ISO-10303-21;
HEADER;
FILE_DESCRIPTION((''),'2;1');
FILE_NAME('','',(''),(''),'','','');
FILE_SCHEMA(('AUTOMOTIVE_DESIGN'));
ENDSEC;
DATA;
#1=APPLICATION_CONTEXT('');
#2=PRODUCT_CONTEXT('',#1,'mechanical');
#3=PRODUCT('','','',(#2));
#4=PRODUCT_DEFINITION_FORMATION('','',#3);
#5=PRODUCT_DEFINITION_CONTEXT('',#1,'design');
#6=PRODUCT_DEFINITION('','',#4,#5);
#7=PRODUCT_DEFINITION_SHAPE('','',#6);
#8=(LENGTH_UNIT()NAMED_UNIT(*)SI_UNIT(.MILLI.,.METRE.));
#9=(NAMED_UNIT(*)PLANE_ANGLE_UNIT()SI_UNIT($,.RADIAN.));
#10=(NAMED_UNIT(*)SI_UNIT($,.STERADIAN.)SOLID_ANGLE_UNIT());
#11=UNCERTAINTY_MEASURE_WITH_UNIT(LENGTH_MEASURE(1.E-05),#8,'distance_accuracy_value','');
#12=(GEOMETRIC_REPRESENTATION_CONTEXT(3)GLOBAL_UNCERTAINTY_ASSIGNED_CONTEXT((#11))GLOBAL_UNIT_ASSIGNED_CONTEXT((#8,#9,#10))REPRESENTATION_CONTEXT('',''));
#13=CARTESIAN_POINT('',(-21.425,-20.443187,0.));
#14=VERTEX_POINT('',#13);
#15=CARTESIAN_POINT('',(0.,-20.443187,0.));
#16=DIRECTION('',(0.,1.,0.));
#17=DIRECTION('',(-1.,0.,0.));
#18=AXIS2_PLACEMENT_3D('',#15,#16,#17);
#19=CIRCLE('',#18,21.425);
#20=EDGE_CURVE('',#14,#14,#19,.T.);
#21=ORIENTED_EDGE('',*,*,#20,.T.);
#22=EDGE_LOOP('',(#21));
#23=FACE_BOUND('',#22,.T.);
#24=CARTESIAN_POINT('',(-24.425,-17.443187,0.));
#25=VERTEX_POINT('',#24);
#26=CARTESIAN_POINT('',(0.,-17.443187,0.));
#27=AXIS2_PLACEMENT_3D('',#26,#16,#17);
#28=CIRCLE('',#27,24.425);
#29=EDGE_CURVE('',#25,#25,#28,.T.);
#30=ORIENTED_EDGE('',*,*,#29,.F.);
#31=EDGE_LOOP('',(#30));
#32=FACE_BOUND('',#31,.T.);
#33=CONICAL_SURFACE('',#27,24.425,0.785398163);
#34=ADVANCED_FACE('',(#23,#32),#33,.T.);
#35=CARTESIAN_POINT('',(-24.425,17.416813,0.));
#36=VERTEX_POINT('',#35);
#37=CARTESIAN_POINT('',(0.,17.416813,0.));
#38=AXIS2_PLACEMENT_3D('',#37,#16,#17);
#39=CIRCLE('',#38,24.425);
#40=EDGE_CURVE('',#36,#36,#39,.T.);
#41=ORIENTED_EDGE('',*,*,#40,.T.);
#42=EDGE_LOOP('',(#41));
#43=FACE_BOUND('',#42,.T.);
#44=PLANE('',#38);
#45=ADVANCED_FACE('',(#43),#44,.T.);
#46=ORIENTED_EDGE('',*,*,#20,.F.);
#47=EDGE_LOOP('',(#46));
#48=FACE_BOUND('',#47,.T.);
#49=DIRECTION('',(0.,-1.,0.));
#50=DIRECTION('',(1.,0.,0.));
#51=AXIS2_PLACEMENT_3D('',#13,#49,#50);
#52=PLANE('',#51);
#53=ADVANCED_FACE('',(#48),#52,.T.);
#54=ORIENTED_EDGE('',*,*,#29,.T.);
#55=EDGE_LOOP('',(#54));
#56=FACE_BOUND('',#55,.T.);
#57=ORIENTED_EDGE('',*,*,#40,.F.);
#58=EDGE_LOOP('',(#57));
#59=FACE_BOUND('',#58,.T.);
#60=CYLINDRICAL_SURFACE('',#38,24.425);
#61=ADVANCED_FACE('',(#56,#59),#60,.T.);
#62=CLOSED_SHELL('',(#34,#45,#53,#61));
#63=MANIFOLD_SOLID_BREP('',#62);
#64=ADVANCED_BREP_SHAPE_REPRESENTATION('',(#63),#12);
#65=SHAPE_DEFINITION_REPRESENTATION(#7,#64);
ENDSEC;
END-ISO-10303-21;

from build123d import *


with BuildPart() as part:
    # Szkic1 → Obrót1 (revolve)
    with BuildSketch(Plane.XY):
        Polygon((0, 17.416812705), (-24.425, 17.416812705), (-24.425, -17.443187295), (-21.425, -20.443187295), (0, -20.443187295), align=None)
    revolve(axis=Axis((0, 17.416812705, 0), (0, -1, 0)))


solid = part.part
